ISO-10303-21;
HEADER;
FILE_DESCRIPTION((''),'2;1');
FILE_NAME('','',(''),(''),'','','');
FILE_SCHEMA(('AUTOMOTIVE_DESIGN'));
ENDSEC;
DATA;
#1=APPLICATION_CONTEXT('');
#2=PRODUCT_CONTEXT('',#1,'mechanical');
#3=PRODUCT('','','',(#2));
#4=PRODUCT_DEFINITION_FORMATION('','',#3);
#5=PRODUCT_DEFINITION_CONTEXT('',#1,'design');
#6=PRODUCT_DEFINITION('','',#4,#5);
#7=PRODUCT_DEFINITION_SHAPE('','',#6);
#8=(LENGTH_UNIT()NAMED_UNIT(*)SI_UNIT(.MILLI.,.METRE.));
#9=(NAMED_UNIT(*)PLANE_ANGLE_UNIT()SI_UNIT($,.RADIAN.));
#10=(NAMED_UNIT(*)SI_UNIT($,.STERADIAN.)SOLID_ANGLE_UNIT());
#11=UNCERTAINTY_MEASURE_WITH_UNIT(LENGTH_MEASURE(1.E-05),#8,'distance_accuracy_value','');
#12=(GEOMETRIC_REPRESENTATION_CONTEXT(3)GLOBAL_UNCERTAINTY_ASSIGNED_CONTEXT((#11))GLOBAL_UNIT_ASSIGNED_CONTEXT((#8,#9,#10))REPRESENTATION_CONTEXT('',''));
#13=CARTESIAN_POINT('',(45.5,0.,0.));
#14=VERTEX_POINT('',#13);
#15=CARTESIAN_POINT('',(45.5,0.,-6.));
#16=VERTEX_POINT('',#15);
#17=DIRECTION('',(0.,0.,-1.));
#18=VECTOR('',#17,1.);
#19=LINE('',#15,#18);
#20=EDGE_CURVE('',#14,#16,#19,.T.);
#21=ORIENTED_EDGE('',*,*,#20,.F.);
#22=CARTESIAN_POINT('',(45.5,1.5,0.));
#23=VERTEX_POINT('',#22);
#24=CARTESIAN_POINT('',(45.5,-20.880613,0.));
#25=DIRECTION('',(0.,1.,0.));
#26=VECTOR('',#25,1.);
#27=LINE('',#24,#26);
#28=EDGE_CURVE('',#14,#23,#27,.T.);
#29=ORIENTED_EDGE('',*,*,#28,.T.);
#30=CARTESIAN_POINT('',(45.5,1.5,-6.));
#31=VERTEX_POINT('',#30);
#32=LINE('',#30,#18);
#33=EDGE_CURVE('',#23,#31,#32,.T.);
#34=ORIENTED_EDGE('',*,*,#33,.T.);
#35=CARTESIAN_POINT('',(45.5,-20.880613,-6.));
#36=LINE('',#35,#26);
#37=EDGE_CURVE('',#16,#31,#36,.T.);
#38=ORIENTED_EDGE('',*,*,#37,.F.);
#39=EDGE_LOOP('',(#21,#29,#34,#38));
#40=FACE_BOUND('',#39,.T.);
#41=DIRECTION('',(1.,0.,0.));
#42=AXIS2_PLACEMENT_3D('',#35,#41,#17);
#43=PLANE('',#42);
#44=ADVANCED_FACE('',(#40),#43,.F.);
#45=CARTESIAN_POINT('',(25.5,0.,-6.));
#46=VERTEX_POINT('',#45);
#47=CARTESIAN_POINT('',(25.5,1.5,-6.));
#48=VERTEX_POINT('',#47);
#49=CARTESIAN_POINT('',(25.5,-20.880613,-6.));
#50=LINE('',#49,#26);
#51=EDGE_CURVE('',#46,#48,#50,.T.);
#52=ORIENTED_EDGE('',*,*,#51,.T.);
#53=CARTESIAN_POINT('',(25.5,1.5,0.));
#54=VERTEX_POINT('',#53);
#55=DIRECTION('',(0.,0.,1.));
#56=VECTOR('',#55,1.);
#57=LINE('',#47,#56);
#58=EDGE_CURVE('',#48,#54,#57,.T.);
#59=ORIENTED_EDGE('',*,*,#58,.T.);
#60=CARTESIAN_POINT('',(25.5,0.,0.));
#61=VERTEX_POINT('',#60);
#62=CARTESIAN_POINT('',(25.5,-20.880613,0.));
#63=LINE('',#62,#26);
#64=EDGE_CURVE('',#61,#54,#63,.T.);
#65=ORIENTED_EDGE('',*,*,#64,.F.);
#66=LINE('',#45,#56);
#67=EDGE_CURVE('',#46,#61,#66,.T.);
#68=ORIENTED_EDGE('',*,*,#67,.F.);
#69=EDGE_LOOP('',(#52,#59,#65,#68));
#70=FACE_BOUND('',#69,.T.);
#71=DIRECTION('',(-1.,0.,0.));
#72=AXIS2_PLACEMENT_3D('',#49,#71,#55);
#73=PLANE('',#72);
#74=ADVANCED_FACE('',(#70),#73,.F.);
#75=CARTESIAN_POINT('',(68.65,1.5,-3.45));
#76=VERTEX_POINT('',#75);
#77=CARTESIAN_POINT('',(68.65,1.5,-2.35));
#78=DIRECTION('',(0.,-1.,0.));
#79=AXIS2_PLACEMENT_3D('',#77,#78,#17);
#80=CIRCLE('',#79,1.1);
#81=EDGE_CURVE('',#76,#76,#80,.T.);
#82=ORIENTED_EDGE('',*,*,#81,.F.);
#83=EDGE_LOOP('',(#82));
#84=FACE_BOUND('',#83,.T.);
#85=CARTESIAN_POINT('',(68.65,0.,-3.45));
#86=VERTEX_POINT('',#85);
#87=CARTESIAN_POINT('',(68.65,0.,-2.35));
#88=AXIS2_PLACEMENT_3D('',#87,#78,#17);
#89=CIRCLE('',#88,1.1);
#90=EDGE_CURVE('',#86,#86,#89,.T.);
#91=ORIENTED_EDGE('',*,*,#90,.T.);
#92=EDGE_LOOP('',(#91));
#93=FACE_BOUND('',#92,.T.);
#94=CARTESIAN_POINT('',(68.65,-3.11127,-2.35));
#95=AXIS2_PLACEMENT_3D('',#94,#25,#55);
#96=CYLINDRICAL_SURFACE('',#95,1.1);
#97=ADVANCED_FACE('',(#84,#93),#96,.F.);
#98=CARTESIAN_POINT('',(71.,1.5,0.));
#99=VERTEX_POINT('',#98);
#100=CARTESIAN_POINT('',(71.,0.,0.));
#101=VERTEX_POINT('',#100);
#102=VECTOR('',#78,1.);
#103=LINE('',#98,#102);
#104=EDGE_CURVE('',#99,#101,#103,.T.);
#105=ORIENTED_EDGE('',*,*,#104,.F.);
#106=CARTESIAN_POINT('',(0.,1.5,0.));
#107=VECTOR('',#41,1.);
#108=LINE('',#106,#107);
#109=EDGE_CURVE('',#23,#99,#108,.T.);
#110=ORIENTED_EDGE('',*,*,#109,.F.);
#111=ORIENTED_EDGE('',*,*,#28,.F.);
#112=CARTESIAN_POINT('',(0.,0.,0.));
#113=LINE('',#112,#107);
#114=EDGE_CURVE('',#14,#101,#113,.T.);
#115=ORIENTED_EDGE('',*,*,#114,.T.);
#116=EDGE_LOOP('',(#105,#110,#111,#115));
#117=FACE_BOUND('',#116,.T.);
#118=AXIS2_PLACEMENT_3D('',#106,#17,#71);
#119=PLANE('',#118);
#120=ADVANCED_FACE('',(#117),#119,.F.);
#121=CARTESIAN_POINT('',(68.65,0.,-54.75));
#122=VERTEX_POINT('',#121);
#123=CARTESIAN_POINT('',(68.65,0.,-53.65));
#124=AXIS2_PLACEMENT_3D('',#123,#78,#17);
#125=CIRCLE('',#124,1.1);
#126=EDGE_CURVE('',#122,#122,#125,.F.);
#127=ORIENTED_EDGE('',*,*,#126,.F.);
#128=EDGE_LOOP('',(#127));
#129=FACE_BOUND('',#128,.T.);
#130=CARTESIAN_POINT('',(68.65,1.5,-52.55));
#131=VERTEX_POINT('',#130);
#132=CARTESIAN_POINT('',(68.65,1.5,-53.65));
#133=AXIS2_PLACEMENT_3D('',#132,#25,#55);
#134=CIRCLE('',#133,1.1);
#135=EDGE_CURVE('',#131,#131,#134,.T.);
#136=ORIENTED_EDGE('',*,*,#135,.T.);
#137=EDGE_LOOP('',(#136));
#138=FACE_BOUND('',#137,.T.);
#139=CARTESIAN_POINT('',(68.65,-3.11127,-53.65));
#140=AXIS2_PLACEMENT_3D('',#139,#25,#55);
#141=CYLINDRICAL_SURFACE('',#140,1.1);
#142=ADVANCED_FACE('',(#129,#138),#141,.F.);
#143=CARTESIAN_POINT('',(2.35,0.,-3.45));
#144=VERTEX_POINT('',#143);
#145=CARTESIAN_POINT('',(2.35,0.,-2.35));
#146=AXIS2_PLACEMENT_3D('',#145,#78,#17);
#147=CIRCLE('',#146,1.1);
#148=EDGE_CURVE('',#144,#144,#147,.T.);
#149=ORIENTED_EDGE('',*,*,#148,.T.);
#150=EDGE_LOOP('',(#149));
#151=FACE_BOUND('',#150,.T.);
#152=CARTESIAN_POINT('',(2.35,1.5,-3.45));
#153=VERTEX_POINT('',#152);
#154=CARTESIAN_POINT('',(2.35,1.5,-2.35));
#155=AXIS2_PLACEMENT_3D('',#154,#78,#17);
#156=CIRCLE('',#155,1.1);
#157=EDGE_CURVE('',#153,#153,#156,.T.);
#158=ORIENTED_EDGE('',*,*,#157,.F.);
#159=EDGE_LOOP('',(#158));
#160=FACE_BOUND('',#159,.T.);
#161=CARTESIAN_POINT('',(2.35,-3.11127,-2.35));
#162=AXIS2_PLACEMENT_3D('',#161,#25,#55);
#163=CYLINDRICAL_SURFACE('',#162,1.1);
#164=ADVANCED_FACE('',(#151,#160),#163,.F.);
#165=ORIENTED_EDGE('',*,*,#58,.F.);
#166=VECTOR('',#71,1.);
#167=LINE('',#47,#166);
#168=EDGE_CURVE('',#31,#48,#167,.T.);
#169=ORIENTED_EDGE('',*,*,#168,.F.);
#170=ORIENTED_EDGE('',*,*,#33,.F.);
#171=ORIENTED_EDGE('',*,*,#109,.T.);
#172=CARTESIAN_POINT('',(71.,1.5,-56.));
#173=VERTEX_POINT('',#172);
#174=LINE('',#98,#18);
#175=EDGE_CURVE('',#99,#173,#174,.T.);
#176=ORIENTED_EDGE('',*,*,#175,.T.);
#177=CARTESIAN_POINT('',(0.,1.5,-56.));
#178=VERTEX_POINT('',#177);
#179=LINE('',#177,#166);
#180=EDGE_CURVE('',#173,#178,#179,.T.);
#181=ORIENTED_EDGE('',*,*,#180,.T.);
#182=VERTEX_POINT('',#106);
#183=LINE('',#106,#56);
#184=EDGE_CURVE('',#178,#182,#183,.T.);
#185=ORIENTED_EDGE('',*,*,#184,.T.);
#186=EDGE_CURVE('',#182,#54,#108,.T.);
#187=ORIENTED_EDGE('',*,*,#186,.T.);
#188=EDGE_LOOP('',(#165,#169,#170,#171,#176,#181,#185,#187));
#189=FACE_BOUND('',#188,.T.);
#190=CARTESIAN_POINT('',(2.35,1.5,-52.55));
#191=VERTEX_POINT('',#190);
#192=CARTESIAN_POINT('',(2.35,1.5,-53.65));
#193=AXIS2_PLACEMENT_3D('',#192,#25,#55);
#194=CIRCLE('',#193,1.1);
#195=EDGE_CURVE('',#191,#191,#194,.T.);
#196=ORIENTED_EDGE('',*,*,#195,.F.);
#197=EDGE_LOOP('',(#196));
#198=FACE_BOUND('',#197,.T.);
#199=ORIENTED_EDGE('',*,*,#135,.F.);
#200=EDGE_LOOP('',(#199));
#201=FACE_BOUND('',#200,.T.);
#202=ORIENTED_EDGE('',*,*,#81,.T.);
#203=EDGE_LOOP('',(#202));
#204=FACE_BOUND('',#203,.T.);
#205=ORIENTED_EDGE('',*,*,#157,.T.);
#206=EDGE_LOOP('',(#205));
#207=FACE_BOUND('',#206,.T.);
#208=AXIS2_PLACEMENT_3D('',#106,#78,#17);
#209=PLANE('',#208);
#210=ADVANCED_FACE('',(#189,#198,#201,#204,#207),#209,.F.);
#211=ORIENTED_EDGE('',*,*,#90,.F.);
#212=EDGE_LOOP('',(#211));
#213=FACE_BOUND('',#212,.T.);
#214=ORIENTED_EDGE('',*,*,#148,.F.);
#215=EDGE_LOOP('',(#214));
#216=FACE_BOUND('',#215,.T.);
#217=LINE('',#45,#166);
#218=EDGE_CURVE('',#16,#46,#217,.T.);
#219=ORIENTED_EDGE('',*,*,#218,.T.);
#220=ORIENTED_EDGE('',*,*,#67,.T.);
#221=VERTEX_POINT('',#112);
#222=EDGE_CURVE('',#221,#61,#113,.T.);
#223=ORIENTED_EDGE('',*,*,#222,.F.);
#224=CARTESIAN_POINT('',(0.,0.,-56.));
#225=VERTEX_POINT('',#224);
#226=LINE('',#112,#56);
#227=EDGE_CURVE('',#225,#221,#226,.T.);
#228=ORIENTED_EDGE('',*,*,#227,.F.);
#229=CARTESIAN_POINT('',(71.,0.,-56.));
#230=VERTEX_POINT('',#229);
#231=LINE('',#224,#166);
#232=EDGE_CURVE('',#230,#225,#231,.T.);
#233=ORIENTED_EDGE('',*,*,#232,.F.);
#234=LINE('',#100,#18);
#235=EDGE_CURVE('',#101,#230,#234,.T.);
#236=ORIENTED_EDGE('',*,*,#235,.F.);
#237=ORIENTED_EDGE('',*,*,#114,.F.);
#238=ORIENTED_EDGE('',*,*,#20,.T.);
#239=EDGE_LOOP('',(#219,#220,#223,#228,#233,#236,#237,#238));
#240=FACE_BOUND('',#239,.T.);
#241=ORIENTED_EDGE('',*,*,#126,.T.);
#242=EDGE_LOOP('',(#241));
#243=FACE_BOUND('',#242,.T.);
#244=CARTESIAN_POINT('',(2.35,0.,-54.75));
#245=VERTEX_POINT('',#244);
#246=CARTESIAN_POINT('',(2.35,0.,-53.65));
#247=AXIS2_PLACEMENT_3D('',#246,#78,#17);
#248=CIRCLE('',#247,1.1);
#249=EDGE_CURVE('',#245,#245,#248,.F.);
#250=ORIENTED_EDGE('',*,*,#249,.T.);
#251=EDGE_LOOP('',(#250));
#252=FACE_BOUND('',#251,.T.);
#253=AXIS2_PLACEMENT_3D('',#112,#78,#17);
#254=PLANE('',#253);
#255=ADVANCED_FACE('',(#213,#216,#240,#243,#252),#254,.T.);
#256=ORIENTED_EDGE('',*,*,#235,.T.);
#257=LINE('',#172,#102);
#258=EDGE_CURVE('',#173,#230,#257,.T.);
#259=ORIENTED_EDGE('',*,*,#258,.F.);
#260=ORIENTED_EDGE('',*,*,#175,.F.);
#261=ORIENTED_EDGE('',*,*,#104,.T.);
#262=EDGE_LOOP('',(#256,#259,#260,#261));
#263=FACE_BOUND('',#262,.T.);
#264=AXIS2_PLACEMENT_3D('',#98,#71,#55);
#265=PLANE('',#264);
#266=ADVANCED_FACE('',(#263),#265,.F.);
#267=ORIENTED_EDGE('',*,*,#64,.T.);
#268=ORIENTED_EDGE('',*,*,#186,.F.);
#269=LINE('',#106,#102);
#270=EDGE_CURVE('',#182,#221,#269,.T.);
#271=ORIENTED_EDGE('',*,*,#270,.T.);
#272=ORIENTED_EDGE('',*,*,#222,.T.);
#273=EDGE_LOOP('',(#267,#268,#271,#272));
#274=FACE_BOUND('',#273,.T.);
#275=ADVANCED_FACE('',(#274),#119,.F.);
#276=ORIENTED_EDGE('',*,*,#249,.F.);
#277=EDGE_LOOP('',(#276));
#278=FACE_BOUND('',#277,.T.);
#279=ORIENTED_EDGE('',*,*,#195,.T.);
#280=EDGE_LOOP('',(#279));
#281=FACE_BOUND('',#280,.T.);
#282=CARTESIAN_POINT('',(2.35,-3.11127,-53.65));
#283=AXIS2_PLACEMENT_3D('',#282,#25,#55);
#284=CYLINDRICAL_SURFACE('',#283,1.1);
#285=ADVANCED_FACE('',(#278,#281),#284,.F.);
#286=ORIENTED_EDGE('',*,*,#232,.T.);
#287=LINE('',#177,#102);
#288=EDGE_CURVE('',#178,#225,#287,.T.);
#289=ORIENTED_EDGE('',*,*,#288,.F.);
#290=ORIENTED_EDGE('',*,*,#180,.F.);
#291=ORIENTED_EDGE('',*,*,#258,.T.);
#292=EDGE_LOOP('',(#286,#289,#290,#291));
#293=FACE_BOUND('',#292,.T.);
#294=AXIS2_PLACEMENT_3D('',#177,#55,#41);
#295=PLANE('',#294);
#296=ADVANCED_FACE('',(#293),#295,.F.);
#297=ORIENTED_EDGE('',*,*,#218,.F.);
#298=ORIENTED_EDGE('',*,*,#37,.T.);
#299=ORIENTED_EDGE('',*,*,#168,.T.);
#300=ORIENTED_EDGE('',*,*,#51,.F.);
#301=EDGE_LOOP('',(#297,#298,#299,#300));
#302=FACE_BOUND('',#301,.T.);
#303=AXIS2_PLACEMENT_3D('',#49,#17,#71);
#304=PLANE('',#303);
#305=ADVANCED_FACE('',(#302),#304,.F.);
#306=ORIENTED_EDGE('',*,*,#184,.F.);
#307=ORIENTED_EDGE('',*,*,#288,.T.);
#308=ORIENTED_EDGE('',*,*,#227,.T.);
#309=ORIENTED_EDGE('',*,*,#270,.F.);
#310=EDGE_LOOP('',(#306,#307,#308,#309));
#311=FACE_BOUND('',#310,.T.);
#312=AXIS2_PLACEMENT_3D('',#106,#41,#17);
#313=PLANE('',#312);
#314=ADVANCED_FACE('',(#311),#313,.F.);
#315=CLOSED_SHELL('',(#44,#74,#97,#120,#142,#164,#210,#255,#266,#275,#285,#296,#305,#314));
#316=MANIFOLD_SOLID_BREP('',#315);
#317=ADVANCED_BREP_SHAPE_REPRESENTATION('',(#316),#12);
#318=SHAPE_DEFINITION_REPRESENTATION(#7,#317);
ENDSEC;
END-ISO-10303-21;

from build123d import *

# Parameters (mm, degrees)
SKETCH1_W           = 71
SKETCH1_H           = 56
BOSS_EXTRUDE1_DEPTH = 1.5
SKETCH2_W           = 20
SKETCH2_H           = 6
CUT_EXTRUDE1_DEPTH  = 1.5
SKETCH5_R           = 1.1
CUT_EXTRUDE2_DEPTH  = 1.5


with BuildPart() as part:
    # Sketch1 → Boss-Extrude1 (new body)
    with BuildSketch(Plane(origin=(0, 0, 0), x_dir=(1, 0, 0), z_dir=(0, 1, 0))):
        with Locations((35.5, 28)):
            Rectangle(SKETCH1_W, SKETCH1_H)
    extrude(amount=BOSS_EXTRUDE1_DEPTH)

    # Sketch2 → Cut-Extrude1 (cut)
    with BuildSketch(Plane(origin=(0, 1.5, 0), x_dir=(1, 0, 0), z_dir=(0, 1, 0))):
        with Locations((35.5, 3)):
            Rectangle(SKETCH2_W, SKETCH2_H)
    extrude(amount=-CUT_EXTRUDE1_DEPTH, mode=Mode.SUBTRACT)

    # Sketch5 → Cut-Extrude2 (cut)
    with BuildSketch(Plane(origin=(0, 1.5, 0), x_dir=(1, 0, 0), z_dir=(0, 1, 0))):
        with Locations((2.35, 53.65)):
            Circle(SKETCH5_R)
        with Locations((68.65, 53.65)):
            Circle(SKETCH5_R)
    cut_extrude2 = extrude(amount=-CUT_EXTRUDE2_DEPTH, mode=Mode.SUBTRACT)

    # Mirror1: Cut-Extrude2 across plane
    add(cut_extrude2.mirror(Plane.XY.offset(-28)), mode=Mode.SUBTRACT)


solid = part.part
